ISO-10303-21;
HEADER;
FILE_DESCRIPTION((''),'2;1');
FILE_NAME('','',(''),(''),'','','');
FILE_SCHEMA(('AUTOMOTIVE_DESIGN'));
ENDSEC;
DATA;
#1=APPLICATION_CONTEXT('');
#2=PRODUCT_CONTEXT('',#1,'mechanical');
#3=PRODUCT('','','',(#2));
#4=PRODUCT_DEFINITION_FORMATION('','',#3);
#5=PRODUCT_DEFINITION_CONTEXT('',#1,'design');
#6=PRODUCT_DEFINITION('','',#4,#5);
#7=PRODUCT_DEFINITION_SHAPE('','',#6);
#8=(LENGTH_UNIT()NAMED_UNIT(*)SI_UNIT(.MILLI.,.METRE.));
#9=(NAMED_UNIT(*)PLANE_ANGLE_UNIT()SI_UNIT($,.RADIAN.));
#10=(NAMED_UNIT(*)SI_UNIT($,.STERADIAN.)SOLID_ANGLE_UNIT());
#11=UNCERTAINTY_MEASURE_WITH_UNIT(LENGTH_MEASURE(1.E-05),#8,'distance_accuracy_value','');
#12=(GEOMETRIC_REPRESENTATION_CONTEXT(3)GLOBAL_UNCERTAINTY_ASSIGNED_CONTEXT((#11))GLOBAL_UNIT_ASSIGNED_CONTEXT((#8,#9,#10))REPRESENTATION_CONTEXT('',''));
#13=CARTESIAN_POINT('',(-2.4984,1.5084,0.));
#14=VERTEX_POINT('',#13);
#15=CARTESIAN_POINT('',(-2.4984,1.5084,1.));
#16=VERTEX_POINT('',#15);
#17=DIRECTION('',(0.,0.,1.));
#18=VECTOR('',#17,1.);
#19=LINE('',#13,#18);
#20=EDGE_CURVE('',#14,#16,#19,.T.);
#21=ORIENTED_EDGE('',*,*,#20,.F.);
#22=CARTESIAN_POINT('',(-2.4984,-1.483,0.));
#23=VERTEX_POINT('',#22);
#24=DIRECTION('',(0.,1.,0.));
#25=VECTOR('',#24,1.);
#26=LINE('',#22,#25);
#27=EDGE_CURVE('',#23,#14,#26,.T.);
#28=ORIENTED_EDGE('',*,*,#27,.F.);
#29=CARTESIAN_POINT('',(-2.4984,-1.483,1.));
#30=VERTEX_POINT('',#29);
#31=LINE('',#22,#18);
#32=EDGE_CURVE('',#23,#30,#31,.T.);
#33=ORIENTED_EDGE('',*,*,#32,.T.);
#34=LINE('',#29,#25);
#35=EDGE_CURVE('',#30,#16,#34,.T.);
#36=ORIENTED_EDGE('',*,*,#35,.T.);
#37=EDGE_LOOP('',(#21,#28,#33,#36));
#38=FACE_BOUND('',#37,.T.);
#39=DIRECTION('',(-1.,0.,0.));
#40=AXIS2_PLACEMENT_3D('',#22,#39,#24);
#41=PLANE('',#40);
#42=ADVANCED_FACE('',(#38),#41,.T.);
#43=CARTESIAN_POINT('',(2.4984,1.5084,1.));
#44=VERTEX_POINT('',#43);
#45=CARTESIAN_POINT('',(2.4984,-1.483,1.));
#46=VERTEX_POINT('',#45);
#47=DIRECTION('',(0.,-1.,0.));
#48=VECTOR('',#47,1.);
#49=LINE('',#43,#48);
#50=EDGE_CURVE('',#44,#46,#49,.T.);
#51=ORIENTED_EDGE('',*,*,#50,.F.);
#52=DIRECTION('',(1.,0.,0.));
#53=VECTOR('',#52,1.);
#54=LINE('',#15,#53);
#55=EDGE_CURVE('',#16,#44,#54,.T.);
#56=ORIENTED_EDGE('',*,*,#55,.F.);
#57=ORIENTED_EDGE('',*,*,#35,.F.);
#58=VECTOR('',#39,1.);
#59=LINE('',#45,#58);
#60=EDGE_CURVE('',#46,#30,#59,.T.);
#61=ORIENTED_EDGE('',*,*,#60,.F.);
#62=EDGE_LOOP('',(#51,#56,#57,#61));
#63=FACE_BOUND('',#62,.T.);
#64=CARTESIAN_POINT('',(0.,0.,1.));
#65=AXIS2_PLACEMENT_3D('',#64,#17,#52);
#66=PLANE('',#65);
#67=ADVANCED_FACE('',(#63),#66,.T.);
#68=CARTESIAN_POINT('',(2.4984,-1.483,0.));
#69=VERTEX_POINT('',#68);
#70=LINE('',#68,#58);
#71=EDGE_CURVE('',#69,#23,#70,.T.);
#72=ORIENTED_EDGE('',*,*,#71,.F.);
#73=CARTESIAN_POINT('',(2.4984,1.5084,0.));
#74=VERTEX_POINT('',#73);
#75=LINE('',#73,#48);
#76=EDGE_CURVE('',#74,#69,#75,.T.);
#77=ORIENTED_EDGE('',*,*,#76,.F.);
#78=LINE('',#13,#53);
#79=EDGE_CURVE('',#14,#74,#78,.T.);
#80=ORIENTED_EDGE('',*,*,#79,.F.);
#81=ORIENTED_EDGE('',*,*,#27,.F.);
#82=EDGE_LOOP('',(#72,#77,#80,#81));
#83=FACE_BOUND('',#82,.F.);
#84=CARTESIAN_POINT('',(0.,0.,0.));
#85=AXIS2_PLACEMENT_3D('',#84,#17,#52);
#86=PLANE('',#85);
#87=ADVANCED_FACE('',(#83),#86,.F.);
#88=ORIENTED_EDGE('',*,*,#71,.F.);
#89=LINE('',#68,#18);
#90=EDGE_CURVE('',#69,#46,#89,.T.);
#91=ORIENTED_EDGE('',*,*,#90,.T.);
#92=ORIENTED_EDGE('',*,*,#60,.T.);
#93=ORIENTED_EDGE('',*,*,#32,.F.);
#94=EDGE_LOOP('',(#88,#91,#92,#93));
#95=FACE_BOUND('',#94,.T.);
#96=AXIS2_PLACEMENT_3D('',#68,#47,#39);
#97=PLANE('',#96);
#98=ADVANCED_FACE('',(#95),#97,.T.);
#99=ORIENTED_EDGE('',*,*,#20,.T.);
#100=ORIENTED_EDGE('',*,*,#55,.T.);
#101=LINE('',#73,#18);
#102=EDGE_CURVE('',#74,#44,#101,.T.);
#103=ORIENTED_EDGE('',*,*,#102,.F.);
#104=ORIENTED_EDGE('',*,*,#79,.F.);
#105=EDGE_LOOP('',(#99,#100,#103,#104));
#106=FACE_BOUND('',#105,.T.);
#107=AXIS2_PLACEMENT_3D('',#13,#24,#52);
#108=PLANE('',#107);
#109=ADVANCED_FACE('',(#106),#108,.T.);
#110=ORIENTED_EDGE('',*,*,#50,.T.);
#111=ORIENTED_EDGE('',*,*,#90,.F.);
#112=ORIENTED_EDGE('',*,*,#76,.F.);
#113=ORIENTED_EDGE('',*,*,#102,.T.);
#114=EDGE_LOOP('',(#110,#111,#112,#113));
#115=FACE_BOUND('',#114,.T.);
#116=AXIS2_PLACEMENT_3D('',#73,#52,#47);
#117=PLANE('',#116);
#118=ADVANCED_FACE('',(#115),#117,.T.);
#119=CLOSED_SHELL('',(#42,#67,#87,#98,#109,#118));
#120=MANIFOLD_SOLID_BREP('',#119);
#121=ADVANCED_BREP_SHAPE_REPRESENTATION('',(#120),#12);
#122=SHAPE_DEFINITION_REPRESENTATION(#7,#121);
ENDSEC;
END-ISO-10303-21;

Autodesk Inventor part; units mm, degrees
ref_plane "YZ Plane" through (0, 0, 0) normal (1, 0, 0) x (0, 1, 0)
ref_plane "XZ Plane" through (0, 0, 0) normal (0, 1, 0) x (-1, 0, 0)
ref_plane "XY Plane" through (0, 0, 0) normal (0, 0, 1) x (1, 0, 0)
sketch "M3216, 5_49M_95" plane through (0, 0, 0) normal (0, 0, 1) x (1, 0, 0)
  line L0 (-2.4984, 1.5084) -> (2.4984, 1.5084)
  line L1 (2.4984, 1.5084) -> (2.4984, -1.483)
  line L2 (2.4984, -1.483) -> (-2.4984, -1.483)
  line L3 (-2.4984, -1.483) -> (-2.4984, 1.5084)
extrude "Extrusion1" add sketch "M3216, 5_49M_95" along normal blind 1
properties part number "5_49M"
